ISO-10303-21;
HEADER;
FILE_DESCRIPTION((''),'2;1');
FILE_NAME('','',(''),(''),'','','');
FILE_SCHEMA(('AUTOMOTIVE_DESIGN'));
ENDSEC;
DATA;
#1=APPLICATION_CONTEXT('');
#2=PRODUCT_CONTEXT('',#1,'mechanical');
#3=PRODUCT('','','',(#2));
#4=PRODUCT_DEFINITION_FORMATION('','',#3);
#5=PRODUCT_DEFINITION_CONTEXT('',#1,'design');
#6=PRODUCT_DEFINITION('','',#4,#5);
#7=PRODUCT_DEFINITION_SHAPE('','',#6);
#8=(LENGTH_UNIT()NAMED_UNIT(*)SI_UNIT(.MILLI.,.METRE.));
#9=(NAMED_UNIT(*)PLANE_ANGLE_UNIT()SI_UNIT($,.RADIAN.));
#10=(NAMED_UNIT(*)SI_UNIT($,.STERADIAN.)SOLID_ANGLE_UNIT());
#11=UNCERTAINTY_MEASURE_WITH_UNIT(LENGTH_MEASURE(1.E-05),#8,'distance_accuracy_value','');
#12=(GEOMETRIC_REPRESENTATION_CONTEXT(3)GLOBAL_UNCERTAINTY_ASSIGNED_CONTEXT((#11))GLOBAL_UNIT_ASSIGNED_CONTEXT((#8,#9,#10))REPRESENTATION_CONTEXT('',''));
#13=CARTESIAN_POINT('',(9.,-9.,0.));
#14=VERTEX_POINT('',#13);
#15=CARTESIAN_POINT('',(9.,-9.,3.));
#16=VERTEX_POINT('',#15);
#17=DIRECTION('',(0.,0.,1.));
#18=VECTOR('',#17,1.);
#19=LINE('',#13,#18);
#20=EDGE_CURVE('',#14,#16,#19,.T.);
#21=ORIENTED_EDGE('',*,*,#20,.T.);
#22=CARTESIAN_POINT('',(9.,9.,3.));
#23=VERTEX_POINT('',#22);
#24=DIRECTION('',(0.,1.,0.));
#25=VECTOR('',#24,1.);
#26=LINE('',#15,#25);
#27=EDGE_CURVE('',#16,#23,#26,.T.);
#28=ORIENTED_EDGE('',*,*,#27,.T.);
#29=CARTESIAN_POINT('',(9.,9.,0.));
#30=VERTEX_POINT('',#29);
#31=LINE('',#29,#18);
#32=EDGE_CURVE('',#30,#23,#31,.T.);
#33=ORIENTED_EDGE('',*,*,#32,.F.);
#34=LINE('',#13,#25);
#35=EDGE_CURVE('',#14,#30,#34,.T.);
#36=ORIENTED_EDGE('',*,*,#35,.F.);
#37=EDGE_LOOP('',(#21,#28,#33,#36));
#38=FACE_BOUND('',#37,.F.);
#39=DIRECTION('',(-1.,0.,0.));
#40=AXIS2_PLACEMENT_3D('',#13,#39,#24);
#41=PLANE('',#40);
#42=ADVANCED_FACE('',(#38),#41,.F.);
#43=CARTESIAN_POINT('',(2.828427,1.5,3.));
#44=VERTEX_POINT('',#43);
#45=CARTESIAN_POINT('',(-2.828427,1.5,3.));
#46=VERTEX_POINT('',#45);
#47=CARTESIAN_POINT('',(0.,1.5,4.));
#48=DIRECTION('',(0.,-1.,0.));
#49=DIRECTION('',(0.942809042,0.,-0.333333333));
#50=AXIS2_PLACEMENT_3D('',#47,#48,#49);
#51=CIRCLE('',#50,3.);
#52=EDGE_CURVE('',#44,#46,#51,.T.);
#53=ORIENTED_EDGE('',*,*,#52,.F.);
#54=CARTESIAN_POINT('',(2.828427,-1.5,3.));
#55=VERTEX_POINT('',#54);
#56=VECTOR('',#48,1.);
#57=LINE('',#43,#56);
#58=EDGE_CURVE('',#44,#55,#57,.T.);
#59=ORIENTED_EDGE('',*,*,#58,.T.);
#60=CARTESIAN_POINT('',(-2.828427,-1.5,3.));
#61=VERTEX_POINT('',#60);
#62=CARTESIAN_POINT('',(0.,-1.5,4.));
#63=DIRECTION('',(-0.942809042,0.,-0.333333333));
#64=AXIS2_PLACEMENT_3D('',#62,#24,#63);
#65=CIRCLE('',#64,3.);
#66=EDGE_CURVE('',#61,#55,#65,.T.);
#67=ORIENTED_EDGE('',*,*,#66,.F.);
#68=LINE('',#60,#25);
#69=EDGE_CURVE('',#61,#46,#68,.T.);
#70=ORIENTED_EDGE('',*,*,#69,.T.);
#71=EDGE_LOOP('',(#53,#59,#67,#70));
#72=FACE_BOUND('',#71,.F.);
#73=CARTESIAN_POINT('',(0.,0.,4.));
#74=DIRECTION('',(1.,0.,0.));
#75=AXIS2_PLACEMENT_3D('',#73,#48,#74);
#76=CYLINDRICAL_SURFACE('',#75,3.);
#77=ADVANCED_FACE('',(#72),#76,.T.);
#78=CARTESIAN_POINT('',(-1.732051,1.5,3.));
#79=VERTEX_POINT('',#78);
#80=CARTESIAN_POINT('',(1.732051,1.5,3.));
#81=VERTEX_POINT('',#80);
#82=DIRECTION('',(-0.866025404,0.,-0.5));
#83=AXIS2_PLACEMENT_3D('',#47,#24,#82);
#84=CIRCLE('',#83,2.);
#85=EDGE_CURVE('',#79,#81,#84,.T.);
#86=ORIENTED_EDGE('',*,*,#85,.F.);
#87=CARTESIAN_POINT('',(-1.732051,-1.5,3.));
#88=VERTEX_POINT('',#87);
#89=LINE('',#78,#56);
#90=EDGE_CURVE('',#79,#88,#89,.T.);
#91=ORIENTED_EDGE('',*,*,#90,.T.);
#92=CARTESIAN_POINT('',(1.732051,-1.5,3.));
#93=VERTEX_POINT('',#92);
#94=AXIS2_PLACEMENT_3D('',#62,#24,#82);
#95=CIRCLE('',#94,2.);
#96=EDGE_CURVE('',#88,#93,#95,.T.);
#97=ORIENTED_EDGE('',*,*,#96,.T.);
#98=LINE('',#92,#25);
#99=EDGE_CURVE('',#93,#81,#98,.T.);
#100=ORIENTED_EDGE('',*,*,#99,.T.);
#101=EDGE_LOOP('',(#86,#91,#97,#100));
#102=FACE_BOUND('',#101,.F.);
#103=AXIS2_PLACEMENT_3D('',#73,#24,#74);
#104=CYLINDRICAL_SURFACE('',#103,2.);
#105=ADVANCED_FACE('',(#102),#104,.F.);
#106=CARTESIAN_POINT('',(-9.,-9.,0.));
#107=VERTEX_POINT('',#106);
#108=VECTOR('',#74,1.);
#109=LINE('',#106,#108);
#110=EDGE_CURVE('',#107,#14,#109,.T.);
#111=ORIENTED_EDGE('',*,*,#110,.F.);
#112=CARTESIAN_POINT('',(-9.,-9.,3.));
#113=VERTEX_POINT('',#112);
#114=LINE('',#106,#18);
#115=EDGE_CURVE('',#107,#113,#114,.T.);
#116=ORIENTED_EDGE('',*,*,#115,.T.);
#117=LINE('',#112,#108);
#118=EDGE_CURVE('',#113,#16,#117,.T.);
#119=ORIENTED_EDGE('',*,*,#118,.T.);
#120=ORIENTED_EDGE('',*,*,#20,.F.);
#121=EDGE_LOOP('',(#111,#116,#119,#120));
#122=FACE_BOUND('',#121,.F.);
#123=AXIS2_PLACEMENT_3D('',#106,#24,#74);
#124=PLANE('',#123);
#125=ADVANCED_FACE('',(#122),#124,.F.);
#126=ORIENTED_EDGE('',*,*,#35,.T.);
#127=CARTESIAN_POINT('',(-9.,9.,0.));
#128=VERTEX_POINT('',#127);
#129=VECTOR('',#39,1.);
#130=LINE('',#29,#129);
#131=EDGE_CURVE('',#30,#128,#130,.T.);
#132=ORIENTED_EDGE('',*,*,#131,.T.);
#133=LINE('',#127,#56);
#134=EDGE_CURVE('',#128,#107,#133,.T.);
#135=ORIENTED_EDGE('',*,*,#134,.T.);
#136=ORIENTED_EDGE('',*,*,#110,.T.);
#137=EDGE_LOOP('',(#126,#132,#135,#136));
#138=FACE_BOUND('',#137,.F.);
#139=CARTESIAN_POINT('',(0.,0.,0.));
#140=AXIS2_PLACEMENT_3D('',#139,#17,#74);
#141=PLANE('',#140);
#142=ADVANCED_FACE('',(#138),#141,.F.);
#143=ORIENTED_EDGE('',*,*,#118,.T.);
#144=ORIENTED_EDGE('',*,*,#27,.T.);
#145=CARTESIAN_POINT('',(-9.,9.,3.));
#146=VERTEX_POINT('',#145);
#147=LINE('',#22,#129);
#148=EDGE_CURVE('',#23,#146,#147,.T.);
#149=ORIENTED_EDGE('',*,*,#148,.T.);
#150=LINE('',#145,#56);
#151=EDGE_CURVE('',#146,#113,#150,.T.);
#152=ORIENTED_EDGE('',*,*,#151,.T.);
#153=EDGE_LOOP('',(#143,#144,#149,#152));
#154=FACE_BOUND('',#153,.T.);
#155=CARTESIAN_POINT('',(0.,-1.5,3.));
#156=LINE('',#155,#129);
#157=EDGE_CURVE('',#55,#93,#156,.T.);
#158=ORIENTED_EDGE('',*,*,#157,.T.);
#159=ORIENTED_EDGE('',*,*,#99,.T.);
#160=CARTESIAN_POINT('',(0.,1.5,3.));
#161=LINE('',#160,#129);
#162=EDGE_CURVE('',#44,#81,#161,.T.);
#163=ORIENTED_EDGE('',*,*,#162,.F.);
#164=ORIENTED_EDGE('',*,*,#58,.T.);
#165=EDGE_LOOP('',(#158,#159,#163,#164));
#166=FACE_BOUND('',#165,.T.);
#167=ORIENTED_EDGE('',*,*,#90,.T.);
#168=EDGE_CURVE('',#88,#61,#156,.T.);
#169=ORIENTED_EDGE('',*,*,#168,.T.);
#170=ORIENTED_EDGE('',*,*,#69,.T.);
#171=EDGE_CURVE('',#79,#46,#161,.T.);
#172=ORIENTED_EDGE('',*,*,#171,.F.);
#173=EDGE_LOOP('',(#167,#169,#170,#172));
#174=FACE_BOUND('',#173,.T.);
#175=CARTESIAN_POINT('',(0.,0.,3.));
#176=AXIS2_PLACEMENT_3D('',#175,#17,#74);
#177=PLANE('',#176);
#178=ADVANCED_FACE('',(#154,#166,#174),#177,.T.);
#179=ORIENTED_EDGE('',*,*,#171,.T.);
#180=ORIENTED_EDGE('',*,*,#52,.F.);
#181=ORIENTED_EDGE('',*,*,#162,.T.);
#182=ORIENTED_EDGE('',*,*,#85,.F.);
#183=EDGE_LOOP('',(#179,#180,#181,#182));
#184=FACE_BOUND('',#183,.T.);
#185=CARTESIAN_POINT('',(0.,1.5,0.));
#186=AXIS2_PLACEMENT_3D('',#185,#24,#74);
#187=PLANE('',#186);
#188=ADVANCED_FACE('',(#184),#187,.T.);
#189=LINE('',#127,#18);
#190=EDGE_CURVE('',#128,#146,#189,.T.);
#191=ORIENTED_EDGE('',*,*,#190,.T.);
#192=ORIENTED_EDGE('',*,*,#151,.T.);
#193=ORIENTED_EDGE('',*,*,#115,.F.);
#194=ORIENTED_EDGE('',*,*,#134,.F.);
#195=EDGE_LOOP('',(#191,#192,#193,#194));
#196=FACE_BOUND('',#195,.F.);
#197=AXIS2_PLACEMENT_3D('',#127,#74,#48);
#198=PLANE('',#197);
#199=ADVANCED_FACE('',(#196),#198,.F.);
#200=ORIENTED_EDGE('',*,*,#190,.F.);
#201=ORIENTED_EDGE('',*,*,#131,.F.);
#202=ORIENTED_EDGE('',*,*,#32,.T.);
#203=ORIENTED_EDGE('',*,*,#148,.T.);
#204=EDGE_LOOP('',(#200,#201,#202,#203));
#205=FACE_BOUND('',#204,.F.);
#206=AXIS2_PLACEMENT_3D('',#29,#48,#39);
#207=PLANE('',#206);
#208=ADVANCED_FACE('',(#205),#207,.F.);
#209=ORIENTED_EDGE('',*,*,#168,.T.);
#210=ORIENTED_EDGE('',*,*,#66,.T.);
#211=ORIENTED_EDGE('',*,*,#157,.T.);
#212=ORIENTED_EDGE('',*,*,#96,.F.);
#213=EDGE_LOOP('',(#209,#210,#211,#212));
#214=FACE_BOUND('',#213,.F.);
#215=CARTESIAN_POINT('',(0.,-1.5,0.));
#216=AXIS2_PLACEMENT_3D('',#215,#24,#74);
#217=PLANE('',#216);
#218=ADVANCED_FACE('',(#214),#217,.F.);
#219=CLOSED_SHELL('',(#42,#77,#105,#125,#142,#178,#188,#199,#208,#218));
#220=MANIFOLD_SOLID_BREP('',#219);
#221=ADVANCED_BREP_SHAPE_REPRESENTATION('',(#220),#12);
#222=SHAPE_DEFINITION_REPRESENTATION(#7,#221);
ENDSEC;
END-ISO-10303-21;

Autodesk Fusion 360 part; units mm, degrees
sketch "Sketch1" plane through (0, 0, 0) normal (0, 0, 1) x (1, 0, 0)
  line L0 (9, 9) -> (-9, 9)
  line L1 (-9, 9) -> (-9, -9)
  line L2 (-9, -9) -> (9, -9)
  line L3 (9, -9) -> (9, 9)
  line L4 (9, 9) -> (-9, -9) construction
  line L5 (-9, 9) -> (9, -9) construction
  dimension "d1" = 18
  dimension "d2" = 18
extrude "Extrude1" add sketch "Sketch1" along normal blind 3
sketch "Sketch3" plane through (0, 0, 0) normal (0, 1, 0) x (1, 0, 0)
  circle A0 centre (0, -4) radius 3
  circle A1 centre (0, -4) radius 2
  dimension "d5" = 6
  dimension "d6" = 4
extrude "Extrude2" add sketch "Sketch3" along normal mid plane 3
